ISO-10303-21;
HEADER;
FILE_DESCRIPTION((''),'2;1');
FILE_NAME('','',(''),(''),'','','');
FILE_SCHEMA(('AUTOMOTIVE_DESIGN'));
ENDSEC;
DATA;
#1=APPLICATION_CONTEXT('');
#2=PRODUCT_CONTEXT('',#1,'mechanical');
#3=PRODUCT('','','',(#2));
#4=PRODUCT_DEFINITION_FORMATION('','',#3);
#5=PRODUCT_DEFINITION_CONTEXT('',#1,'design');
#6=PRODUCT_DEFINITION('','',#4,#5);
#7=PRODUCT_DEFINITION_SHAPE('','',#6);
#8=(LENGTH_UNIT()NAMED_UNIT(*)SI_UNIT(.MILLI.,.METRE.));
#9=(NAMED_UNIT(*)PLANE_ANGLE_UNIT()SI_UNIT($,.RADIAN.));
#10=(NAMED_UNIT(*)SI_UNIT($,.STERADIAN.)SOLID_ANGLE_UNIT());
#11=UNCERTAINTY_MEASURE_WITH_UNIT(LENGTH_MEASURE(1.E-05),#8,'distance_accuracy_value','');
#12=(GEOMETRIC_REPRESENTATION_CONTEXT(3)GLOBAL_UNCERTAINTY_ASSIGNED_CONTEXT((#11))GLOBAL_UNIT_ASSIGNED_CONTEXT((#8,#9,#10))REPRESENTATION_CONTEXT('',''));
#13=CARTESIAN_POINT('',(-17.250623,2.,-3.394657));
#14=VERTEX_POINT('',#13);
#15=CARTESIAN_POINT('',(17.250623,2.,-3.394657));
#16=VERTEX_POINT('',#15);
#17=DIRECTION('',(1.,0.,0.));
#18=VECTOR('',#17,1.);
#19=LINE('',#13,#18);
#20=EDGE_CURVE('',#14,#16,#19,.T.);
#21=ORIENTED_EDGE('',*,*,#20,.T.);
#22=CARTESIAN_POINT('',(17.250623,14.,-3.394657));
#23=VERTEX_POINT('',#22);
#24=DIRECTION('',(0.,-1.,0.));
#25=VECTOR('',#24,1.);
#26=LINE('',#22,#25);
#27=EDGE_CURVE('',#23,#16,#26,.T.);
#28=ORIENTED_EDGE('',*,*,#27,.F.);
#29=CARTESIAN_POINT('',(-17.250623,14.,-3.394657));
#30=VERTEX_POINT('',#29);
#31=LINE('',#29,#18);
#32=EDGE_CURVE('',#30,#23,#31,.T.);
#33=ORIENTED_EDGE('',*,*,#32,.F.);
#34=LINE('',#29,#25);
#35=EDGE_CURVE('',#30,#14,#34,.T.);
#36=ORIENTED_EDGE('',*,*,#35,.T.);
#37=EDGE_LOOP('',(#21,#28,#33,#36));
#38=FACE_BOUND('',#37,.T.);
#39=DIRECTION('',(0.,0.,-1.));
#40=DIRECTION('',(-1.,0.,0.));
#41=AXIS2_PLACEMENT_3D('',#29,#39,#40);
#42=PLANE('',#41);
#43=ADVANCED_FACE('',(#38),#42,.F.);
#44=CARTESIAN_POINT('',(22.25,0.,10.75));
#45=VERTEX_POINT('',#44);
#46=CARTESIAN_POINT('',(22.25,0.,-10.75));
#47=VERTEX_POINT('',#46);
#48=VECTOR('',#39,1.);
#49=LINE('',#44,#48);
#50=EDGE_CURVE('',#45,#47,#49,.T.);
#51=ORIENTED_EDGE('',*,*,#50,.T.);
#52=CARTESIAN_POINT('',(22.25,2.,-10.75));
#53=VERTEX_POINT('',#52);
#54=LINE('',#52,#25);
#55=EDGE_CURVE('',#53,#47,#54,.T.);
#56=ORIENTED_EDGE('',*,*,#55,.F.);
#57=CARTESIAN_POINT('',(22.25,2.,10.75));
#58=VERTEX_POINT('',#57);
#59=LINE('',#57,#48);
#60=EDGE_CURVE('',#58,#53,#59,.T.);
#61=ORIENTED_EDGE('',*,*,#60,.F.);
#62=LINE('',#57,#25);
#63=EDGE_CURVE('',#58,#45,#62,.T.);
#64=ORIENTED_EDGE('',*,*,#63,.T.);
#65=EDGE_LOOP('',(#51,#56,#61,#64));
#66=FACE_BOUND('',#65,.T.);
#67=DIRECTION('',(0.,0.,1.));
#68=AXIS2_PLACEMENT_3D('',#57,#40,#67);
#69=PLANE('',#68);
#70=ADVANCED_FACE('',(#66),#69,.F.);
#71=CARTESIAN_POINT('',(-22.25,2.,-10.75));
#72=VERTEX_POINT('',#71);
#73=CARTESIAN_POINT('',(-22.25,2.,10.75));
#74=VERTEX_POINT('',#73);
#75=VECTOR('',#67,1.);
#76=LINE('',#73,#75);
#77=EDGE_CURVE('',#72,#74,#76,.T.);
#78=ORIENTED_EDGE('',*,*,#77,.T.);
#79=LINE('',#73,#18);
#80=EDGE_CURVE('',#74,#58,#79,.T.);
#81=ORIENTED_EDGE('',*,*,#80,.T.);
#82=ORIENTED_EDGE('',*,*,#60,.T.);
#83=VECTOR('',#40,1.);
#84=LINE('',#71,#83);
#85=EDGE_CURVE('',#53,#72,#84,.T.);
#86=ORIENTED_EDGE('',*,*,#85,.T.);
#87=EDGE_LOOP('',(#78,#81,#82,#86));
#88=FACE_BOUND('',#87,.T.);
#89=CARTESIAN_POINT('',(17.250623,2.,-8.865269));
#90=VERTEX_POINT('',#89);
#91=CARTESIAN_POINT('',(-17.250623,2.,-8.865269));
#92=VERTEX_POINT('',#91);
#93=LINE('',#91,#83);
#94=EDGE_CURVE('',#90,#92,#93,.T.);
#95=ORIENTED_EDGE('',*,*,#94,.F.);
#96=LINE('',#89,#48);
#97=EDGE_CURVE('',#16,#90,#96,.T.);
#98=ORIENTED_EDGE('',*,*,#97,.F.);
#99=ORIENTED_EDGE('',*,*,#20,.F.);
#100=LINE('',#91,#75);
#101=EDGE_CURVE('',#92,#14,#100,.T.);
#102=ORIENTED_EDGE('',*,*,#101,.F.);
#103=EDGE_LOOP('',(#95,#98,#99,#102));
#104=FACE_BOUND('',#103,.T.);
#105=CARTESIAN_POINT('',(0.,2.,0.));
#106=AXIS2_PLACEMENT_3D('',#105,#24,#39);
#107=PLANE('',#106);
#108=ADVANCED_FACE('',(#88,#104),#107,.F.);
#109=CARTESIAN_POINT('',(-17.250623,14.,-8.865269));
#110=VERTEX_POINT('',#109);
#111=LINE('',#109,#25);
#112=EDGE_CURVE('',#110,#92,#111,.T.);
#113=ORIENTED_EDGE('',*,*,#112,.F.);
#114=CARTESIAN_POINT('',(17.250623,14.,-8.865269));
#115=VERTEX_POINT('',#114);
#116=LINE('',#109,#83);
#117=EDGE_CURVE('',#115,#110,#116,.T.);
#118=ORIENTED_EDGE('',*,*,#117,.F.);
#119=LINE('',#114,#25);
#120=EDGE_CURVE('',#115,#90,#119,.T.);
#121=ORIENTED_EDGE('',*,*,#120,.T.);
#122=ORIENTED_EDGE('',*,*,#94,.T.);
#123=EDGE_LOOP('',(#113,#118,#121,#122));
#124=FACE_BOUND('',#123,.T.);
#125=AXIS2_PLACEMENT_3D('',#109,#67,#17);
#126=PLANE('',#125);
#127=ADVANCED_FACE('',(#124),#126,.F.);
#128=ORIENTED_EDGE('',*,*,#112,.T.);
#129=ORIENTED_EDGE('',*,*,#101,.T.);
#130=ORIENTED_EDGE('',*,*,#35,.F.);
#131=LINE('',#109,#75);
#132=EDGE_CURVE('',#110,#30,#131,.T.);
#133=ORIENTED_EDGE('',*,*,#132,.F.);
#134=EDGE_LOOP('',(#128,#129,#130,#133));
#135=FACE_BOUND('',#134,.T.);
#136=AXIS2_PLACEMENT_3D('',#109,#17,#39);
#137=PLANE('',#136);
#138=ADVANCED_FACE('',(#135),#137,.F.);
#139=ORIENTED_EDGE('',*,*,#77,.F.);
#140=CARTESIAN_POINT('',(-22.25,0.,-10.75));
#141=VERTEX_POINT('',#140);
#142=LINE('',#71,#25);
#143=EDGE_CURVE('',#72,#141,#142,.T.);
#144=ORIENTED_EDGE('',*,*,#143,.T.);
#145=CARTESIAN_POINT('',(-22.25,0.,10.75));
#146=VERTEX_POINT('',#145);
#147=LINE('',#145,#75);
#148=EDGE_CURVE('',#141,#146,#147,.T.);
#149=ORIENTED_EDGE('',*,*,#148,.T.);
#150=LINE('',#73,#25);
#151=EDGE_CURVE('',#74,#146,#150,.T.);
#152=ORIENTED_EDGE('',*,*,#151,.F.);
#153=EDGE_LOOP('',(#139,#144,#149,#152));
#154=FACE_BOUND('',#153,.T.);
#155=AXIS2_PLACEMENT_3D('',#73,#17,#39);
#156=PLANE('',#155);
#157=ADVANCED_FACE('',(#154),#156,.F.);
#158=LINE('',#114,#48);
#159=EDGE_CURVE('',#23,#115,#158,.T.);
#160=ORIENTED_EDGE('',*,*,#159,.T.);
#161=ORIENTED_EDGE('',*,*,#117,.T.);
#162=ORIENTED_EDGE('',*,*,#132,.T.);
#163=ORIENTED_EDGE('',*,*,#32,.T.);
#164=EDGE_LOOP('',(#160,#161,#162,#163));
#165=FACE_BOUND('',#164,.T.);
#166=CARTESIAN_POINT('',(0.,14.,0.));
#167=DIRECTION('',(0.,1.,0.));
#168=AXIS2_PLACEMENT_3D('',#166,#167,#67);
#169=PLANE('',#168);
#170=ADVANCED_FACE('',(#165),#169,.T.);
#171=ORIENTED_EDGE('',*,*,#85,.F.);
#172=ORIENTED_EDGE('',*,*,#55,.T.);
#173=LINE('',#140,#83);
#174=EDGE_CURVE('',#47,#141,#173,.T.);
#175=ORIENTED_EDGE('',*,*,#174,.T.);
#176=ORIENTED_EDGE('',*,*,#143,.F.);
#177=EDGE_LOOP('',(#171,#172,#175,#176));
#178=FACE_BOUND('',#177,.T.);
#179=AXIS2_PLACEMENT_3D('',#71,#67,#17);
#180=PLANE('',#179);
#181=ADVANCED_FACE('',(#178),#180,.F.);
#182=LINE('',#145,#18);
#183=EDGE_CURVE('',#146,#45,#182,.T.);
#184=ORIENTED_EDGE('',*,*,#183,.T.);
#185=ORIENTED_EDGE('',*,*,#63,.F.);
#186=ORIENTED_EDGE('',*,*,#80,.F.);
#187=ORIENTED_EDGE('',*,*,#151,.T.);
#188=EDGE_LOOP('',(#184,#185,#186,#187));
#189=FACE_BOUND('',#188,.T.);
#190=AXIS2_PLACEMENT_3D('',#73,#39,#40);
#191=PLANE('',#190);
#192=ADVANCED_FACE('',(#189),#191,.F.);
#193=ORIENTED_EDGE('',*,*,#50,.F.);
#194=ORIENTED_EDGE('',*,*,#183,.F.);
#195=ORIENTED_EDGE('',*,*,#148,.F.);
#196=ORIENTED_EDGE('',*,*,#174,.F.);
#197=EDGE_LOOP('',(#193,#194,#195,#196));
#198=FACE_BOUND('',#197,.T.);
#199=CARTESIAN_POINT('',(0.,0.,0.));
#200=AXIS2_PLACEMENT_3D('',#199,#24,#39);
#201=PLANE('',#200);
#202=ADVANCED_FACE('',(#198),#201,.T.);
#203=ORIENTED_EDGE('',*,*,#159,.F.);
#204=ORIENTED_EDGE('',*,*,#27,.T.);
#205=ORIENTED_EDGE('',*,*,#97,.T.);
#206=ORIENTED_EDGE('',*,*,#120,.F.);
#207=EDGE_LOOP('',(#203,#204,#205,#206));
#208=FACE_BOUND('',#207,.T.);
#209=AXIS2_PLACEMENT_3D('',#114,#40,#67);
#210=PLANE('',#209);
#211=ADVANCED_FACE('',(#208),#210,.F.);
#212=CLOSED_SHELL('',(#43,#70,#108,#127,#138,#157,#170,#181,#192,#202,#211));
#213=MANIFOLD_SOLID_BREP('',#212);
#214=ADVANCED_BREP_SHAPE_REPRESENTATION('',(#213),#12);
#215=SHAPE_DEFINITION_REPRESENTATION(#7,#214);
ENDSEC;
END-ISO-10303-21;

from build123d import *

# Parameters (mm, degrees)
SKETCH1_W           = 44.5
SKETCH1_H           = 21.5
BOSS_EXTRUDE1_DEPTH = 2
SKETCH2_W           = 34.501246382
SKETCH2_H           = 5.47061205
BOSS_EXTRUDE2_DEPTH = 12


with BuildPart() as part:
    # Sketch1 → Boss-Extrude1 (new body)
    with BuildSketch(Plane(origin=(0, 0, 0), x_dir=(1, 0, 0), z_dir=(0, 1, 0))):
        Rectangle(SKETCH1_W, SKETCH1_H)
    extrude(amount=BOSS_EXTRUDE1_DEPTH)

    # Sketch2 → Boss-Extrude2 (add)
    with BuildSketch(Plane(origin=(0, 2, 0), x_dir=(1, 0, 0), z_dir=(0, 1, 0))):
        with Locations((0, 6.12996264)):
            Rectangle(SKETCH2_W, SKETCH2_H)
    extrude(amount=BOSS_EXTRUDE2_DEPTH)


solid = part.part
